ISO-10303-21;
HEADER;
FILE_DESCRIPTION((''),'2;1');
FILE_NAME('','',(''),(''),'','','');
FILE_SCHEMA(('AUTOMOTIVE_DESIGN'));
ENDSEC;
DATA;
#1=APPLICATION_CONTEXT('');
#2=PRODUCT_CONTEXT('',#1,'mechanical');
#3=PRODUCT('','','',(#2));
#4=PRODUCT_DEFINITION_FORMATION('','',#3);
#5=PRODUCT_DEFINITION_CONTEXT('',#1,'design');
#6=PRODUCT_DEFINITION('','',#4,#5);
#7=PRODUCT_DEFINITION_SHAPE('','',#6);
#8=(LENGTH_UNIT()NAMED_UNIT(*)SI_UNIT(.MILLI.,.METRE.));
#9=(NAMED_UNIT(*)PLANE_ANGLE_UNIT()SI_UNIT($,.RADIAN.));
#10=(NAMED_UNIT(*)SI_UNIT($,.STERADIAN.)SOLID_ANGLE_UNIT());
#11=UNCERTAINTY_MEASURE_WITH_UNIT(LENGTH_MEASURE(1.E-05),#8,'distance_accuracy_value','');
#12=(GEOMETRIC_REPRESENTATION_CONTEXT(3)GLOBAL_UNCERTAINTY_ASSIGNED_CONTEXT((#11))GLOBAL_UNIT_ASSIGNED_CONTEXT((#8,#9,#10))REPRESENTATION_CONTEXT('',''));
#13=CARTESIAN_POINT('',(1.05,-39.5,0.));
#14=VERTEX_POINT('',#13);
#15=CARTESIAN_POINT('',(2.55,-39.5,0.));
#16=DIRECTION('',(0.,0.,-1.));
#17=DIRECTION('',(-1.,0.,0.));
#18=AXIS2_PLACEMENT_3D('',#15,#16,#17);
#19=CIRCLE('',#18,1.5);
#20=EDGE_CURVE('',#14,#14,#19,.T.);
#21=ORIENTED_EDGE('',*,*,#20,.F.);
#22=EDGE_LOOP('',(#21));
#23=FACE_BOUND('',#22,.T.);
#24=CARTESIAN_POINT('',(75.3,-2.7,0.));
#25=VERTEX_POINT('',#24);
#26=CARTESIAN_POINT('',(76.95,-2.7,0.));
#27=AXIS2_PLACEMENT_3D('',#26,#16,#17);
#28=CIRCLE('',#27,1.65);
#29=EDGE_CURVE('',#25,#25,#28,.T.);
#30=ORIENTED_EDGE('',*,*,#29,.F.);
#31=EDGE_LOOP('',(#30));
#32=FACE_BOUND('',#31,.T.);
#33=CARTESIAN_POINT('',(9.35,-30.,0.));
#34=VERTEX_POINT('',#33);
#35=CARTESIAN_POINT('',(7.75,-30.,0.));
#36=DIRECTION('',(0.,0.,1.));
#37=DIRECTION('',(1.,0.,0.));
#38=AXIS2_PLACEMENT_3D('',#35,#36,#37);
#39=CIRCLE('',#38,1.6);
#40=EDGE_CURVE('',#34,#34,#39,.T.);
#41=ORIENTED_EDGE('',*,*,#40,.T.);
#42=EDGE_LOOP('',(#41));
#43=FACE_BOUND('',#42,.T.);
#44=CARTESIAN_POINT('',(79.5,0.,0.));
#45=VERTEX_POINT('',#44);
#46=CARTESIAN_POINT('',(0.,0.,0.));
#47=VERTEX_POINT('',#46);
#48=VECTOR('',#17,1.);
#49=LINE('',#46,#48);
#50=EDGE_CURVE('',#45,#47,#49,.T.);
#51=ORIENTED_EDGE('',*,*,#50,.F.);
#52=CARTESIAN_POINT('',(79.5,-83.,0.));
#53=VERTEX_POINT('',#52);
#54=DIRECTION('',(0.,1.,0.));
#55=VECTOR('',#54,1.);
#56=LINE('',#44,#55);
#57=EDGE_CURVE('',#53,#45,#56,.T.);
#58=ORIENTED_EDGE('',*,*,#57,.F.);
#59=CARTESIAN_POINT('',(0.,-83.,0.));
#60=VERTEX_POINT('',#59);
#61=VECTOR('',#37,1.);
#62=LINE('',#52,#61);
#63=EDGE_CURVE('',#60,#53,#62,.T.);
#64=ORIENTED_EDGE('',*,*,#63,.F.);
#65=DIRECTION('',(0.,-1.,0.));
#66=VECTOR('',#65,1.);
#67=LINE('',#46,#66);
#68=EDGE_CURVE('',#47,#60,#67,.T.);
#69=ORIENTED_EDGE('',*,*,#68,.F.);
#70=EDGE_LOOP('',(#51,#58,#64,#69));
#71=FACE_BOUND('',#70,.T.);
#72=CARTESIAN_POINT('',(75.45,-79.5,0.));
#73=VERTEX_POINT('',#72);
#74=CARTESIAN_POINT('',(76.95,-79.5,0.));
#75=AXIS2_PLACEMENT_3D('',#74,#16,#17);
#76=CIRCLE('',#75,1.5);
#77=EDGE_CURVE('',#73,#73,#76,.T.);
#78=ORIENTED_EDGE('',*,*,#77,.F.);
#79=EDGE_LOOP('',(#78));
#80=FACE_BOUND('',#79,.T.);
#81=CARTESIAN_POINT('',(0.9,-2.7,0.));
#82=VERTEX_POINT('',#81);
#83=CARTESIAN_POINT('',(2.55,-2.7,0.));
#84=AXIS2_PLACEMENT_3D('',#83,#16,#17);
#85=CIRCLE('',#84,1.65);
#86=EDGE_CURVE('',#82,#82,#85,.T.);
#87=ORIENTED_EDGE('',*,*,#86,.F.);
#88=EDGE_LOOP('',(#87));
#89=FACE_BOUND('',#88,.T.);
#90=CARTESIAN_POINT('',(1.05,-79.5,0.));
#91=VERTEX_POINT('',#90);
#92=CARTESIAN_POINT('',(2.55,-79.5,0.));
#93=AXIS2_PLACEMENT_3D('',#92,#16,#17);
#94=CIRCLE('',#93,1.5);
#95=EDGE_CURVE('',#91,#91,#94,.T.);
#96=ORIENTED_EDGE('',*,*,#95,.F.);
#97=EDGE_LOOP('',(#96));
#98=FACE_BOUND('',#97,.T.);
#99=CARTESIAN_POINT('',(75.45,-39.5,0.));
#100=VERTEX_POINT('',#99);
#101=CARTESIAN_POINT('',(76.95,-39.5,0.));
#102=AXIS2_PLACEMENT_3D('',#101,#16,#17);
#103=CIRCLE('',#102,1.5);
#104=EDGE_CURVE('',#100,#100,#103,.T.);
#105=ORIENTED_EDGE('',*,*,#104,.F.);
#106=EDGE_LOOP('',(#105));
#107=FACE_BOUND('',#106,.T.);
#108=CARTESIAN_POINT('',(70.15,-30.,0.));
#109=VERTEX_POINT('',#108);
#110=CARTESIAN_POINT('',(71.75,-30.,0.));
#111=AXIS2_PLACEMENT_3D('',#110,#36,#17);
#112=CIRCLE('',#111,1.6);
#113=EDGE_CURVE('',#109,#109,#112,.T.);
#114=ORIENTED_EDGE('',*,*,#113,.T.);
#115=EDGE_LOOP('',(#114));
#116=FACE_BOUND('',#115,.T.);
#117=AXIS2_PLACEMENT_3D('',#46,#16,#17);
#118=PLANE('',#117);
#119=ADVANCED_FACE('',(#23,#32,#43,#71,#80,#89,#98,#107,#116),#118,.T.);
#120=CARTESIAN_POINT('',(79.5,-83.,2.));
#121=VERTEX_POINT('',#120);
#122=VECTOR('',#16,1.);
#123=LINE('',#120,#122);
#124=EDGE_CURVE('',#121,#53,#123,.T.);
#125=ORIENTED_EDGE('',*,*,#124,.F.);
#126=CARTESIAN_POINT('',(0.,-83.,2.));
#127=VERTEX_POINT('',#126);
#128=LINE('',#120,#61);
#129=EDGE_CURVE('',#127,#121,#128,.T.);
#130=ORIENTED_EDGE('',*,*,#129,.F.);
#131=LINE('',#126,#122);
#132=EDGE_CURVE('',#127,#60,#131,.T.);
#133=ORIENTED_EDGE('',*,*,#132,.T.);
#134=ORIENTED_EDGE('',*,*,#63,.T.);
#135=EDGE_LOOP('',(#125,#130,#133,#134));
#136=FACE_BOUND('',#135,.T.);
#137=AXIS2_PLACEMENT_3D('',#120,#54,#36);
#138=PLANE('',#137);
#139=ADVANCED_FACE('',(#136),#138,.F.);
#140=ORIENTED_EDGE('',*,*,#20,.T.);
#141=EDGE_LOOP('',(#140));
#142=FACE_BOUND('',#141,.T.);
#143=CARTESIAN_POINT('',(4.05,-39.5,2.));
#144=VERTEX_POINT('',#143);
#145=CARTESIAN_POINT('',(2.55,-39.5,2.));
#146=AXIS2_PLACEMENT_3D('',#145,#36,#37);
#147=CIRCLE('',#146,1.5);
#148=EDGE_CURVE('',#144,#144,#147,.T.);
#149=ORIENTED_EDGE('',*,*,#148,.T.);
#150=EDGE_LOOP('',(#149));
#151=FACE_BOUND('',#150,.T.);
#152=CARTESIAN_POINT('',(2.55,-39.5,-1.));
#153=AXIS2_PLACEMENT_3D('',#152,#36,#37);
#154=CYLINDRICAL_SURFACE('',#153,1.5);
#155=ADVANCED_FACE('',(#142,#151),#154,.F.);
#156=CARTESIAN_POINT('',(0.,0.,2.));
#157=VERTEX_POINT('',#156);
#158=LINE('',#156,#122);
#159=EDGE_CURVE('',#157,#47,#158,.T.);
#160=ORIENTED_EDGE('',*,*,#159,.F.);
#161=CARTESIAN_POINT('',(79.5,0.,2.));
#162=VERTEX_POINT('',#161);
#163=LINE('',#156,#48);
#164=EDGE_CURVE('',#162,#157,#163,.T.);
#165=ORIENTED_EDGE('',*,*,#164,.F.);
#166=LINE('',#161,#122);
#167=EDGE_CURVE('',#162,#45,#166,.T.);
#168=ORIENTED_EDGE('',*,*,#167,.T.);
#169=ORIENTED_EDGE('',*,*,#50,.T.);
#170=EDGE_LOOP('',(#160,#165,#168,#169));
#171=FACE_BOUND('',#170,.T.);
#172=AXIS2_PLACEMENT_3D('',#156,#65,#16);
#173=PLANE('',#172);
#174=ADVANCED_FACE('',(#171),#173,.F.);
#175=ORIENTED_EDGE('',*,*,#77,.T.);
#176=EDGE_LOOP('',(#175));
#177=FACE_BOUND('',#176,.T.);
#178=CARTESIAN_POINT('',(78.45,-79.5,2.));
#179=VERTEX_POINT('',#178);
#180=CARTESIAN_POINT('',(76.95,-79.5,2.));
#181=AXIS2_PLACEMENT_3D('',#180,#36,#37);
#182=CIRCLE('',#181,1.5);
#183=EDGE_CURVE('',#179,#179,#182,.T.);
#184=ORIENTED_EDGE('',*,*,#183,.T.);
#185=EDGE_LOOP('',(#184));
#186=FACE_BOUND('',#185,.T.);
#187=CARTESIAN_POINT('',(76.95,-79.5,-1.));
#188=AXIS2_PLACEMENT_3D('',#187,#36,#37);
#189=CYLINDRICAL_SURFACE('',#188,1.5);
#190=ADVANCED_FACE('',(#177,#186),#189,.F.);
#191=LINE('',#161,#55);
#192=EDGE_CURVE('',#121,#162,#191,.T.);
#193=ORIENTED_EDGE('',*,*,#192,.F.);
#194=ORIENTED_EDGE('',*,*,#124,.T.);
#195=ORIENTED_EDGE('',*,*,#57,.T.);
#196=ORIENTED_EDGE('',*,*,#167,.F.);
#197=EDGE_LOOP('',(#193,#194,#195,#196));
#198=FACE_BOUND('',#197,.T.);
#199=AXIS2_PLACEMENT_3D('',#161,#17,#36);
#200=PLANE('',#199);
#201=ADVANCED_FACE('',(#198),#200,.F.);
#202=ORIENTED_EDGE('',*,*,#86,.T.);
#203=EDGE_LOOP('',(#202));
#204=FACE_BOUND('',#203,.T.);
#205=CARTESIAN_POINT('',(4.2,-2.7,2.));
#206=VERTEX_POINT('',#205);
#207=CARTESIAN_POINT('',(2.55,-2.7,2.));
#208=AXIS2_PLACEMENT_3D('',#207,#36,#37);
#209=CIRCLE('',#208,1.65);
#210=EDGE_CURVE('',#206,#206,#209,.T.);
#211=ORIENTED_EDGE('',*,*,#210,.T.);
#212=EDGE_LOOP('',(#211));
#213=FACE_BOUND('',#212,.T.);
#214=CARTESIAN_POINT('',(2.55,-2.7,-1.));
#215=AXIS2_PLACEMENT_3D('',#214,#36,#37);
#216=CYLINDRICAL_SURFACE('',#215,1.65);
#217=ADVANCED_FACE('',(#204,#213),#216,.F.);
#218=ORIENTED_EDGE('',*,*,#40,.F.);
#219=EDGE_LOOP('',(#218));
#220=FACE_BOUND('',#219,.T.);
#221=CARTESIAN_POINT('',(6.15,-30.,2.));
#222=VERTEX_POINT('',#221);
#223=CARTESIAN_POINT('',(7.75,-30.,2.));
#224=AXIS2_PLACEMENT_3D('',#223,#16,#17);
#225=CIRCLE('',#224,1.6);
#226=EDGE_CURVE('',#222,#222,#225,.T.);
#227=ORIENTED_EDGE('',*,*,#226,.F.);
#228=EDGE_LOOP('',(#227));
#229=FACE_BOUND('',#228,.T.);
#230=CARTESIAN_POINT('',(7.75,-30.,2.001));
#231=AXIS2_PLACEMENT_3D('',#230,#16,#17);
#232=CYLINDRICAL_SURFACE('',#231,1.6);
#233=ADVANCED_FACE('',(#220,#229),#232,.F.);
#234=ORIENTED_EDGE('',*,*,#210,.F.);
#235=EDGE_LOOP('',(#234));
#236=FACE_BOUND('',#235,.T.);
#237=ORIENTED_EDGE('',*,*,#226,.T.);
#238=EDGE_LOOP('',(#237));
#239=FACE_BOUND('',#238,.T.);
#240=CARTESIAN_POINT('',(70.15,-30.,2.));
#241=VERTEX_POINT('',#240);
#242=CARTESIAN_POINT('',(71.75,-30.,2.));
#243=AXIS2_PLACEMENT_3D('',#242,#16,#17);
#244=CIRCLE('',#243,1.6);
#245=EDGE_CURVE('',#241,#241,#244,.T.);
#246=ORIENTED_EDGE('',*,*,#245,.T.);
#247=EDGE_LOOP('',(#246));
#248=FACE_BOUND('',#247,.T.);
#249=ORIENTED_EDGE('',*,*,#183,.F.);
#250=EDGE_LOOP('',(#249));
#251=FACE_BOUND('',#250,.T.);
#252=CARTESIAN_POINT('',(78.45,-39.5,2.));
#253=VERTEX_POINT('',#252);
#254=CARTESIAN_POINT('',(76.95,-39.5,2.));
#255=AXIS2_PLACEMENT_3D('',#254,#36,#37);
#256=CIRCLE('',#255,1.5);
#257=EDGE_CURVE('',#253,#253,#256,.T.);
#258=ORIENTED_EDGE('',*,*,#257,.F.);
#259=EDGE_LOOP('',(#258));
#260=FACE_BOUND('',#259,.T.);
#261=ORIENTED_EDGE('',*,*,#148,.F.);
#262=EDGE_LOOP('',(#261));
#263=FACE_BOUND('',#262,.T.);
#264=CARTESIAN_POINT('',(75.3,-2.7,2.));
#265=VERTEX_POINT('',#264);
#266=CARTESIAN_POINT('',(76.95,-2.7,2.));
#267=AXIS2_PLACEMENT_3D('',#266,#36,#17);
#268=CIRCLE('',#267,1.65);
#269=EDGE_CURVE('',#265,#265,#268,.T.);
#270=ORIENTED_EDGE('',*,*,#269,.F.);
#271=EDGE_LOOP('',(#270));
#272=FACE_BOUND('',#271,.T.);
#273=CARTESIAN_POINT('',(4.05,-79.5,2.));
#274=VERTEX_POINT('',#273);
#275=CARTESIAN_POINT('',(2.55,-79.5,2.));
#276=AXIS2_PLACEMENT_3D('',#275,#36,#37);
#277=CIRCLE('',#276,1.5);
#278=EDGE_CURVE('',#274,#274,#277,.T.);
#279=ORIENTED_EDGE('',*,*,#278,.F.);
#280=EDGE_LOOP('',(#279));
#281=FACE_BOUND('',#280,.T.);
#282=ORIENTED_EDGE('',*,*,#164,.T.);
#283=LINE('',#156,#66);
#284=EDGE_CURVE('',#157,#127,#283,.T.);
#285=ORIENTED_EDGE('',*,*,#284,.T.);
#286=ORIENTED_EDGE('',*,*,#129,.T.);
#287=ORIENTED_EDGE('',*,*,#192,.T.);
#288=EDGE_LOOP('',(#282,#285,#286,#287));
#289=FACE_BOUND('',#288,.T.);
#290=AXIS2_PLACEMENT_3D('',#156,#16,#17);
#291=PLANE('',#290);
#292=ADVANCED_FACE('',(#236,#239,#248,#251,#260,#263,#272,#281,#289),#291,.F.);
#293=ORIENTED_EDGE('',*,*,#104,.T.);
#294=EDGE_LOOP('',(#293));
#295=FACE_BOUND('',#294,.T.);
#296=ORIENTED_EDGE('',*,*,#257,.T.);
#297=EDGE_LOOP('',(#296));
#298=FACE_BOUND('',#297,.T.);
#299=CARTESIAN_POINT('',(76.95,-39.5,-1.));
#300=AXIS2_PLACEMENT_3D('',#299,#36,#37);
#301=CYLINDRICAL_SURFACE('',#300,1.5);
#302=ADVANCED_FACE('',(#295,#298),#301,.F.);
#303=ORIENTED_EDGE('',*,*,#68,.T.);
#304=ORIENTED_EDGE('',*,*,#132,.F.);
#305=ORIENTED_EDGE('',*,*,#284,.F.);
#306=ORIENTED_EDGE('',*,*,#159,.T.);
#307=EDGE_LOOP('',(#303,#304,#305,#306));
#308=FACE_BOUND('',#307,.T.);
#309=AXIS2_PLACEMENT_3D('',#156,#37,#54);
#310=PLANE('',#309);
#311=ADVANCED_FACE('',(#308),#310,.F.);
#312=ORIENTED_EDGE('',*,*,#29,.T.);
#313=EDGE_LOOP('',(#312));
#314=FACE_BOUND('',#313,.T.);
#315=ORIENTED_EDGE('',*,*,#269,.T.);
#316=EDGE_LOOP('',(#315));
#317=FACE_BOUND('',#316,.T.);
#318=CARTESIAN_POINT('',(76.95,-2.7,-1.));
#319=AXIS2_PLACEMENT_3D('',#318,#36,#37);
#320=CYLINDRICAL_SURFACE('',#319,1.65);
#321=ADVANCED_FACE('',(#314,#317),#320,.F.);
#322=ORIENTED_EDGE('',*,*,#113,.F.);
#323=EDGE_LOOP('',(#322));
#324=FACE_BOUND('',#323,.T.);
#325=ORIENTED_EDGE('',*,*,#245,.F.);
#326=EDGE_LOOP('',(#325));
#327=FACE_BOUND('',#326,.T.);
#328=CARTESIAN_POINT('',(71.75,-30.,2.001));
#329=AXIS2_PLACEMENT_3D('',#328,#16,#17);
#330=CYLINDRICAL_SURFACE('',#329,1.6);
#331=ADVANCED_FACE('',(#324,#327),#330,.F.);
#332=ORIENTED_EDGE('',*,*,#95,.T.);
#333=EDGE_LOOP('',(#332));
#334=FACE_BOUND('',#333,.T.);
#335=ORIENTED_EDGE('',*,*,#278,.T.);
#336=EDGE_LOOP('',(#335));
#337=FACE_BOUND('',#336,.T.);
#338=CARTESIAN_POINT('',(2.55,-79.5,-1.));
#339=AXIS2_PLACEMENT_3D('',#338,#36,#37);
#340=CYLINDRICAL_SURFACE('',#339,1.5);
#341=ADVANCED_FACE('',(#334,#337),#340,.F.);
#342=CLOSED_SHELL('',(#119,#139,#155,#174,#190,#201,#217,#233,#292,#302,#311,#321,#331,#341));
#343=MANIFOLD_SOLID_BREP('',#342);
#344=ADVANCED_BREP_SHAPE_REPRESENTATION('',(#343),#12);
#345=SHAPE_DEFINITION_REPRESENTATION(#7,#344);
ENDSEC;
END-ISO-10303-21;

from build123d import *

# Parameters (mm, degrees)
SKETCH_1_W          = 79.5
SKETCH_1_H          = 83
EXTRUDE_1_DEPTH     = 2
SKETCH_2_R          = 1.5
SKETCH_2_R_2        = 1.65
CUT_EXTRUDE_1_DEPTH = 3
CUT_EXTRUDE_2_REACH = 116.949
SKETCH_3_R          = 1.6


with BuildPart() as part:
    # 草图1 → 凸台-拉伸1 (new body)
    with BuildSketch(Plane.XY):
        with Locations((39.75, -41.5)):
            Rectangle(SKETCH_1_W, SKETCH_1_H)
    extrude(amount=EXTRUDE_1_DEPTH)

    # 草图2 → 切除-拉伸1 (cut)
    with BuildSketch(Plane.XY.offset(2)):
        with Locations((2.55, -79.5)):
            Circle(SKETCH_2_R)
        with Locations((2.55, -39.5)):
            Circle(SKETCH_2_R)
        with Locations((76.95, -39.5)):
            Circle(SKETCH_2_R)
        with Locations((76.95, -79.5)):
            Circle(SKETCH_2_R)
        with Locations((2.55, -2.7)):
            Circle(SKETCH_2_R_2)
        with Locations(Location((76.95, -2.7, 0), (0, 0, 180))):
            Circle(SKETCH_2_R_2)
    extrude(amount=-CUT_EXTRUDE_1_DEPTH, mode=Mode.SUBTRACT)

    # 草图3 → 切除-拉伸2 (cut, up to next)
    with BuildSketch(Plane.XY, mode=Mode.PRIVATE) as cut_extrude_2_sk1:
        with Locations(Location((7.75, -30, 0), (0, 0, 180))):
            Circle(SKETCH_3_R)
    cut_extrude_2_tool1 = extrude(cut_extrude_2_sk1.sketch, amount=CUT_EXTRUDE_2_REACH, mode=Mode.PRIVATE) & part.part
    # 草图3 → 切除-拉伸2 (cut, up to next)
    with BuildSketch(Plane.XY, mode=Mode.PRIVATE) as cut_extrude_2_sk2:
        with Locations(Location((71.75, -30, 0), (0, 0, 180))):
            Circle(SKETCH_3_R)
    cut_extrude_2_tool2 = extrude(cut_extrude_2_sk2.sketch, amount=CUT_EXTRUDE_2_REACH, mode=Mode.PRIVATE) & part.part
    add(cut_extrude_2_tool1.solids().sort_by_distance((7.75, -30, 0))[0], mode=Mode.SUBTRACT)
    add(cut_extrude_2_tool2.solids().sort_by_distance((71.75, -30, 0))[0], mode=Mode.SUBTRACT)


solid = part.part
